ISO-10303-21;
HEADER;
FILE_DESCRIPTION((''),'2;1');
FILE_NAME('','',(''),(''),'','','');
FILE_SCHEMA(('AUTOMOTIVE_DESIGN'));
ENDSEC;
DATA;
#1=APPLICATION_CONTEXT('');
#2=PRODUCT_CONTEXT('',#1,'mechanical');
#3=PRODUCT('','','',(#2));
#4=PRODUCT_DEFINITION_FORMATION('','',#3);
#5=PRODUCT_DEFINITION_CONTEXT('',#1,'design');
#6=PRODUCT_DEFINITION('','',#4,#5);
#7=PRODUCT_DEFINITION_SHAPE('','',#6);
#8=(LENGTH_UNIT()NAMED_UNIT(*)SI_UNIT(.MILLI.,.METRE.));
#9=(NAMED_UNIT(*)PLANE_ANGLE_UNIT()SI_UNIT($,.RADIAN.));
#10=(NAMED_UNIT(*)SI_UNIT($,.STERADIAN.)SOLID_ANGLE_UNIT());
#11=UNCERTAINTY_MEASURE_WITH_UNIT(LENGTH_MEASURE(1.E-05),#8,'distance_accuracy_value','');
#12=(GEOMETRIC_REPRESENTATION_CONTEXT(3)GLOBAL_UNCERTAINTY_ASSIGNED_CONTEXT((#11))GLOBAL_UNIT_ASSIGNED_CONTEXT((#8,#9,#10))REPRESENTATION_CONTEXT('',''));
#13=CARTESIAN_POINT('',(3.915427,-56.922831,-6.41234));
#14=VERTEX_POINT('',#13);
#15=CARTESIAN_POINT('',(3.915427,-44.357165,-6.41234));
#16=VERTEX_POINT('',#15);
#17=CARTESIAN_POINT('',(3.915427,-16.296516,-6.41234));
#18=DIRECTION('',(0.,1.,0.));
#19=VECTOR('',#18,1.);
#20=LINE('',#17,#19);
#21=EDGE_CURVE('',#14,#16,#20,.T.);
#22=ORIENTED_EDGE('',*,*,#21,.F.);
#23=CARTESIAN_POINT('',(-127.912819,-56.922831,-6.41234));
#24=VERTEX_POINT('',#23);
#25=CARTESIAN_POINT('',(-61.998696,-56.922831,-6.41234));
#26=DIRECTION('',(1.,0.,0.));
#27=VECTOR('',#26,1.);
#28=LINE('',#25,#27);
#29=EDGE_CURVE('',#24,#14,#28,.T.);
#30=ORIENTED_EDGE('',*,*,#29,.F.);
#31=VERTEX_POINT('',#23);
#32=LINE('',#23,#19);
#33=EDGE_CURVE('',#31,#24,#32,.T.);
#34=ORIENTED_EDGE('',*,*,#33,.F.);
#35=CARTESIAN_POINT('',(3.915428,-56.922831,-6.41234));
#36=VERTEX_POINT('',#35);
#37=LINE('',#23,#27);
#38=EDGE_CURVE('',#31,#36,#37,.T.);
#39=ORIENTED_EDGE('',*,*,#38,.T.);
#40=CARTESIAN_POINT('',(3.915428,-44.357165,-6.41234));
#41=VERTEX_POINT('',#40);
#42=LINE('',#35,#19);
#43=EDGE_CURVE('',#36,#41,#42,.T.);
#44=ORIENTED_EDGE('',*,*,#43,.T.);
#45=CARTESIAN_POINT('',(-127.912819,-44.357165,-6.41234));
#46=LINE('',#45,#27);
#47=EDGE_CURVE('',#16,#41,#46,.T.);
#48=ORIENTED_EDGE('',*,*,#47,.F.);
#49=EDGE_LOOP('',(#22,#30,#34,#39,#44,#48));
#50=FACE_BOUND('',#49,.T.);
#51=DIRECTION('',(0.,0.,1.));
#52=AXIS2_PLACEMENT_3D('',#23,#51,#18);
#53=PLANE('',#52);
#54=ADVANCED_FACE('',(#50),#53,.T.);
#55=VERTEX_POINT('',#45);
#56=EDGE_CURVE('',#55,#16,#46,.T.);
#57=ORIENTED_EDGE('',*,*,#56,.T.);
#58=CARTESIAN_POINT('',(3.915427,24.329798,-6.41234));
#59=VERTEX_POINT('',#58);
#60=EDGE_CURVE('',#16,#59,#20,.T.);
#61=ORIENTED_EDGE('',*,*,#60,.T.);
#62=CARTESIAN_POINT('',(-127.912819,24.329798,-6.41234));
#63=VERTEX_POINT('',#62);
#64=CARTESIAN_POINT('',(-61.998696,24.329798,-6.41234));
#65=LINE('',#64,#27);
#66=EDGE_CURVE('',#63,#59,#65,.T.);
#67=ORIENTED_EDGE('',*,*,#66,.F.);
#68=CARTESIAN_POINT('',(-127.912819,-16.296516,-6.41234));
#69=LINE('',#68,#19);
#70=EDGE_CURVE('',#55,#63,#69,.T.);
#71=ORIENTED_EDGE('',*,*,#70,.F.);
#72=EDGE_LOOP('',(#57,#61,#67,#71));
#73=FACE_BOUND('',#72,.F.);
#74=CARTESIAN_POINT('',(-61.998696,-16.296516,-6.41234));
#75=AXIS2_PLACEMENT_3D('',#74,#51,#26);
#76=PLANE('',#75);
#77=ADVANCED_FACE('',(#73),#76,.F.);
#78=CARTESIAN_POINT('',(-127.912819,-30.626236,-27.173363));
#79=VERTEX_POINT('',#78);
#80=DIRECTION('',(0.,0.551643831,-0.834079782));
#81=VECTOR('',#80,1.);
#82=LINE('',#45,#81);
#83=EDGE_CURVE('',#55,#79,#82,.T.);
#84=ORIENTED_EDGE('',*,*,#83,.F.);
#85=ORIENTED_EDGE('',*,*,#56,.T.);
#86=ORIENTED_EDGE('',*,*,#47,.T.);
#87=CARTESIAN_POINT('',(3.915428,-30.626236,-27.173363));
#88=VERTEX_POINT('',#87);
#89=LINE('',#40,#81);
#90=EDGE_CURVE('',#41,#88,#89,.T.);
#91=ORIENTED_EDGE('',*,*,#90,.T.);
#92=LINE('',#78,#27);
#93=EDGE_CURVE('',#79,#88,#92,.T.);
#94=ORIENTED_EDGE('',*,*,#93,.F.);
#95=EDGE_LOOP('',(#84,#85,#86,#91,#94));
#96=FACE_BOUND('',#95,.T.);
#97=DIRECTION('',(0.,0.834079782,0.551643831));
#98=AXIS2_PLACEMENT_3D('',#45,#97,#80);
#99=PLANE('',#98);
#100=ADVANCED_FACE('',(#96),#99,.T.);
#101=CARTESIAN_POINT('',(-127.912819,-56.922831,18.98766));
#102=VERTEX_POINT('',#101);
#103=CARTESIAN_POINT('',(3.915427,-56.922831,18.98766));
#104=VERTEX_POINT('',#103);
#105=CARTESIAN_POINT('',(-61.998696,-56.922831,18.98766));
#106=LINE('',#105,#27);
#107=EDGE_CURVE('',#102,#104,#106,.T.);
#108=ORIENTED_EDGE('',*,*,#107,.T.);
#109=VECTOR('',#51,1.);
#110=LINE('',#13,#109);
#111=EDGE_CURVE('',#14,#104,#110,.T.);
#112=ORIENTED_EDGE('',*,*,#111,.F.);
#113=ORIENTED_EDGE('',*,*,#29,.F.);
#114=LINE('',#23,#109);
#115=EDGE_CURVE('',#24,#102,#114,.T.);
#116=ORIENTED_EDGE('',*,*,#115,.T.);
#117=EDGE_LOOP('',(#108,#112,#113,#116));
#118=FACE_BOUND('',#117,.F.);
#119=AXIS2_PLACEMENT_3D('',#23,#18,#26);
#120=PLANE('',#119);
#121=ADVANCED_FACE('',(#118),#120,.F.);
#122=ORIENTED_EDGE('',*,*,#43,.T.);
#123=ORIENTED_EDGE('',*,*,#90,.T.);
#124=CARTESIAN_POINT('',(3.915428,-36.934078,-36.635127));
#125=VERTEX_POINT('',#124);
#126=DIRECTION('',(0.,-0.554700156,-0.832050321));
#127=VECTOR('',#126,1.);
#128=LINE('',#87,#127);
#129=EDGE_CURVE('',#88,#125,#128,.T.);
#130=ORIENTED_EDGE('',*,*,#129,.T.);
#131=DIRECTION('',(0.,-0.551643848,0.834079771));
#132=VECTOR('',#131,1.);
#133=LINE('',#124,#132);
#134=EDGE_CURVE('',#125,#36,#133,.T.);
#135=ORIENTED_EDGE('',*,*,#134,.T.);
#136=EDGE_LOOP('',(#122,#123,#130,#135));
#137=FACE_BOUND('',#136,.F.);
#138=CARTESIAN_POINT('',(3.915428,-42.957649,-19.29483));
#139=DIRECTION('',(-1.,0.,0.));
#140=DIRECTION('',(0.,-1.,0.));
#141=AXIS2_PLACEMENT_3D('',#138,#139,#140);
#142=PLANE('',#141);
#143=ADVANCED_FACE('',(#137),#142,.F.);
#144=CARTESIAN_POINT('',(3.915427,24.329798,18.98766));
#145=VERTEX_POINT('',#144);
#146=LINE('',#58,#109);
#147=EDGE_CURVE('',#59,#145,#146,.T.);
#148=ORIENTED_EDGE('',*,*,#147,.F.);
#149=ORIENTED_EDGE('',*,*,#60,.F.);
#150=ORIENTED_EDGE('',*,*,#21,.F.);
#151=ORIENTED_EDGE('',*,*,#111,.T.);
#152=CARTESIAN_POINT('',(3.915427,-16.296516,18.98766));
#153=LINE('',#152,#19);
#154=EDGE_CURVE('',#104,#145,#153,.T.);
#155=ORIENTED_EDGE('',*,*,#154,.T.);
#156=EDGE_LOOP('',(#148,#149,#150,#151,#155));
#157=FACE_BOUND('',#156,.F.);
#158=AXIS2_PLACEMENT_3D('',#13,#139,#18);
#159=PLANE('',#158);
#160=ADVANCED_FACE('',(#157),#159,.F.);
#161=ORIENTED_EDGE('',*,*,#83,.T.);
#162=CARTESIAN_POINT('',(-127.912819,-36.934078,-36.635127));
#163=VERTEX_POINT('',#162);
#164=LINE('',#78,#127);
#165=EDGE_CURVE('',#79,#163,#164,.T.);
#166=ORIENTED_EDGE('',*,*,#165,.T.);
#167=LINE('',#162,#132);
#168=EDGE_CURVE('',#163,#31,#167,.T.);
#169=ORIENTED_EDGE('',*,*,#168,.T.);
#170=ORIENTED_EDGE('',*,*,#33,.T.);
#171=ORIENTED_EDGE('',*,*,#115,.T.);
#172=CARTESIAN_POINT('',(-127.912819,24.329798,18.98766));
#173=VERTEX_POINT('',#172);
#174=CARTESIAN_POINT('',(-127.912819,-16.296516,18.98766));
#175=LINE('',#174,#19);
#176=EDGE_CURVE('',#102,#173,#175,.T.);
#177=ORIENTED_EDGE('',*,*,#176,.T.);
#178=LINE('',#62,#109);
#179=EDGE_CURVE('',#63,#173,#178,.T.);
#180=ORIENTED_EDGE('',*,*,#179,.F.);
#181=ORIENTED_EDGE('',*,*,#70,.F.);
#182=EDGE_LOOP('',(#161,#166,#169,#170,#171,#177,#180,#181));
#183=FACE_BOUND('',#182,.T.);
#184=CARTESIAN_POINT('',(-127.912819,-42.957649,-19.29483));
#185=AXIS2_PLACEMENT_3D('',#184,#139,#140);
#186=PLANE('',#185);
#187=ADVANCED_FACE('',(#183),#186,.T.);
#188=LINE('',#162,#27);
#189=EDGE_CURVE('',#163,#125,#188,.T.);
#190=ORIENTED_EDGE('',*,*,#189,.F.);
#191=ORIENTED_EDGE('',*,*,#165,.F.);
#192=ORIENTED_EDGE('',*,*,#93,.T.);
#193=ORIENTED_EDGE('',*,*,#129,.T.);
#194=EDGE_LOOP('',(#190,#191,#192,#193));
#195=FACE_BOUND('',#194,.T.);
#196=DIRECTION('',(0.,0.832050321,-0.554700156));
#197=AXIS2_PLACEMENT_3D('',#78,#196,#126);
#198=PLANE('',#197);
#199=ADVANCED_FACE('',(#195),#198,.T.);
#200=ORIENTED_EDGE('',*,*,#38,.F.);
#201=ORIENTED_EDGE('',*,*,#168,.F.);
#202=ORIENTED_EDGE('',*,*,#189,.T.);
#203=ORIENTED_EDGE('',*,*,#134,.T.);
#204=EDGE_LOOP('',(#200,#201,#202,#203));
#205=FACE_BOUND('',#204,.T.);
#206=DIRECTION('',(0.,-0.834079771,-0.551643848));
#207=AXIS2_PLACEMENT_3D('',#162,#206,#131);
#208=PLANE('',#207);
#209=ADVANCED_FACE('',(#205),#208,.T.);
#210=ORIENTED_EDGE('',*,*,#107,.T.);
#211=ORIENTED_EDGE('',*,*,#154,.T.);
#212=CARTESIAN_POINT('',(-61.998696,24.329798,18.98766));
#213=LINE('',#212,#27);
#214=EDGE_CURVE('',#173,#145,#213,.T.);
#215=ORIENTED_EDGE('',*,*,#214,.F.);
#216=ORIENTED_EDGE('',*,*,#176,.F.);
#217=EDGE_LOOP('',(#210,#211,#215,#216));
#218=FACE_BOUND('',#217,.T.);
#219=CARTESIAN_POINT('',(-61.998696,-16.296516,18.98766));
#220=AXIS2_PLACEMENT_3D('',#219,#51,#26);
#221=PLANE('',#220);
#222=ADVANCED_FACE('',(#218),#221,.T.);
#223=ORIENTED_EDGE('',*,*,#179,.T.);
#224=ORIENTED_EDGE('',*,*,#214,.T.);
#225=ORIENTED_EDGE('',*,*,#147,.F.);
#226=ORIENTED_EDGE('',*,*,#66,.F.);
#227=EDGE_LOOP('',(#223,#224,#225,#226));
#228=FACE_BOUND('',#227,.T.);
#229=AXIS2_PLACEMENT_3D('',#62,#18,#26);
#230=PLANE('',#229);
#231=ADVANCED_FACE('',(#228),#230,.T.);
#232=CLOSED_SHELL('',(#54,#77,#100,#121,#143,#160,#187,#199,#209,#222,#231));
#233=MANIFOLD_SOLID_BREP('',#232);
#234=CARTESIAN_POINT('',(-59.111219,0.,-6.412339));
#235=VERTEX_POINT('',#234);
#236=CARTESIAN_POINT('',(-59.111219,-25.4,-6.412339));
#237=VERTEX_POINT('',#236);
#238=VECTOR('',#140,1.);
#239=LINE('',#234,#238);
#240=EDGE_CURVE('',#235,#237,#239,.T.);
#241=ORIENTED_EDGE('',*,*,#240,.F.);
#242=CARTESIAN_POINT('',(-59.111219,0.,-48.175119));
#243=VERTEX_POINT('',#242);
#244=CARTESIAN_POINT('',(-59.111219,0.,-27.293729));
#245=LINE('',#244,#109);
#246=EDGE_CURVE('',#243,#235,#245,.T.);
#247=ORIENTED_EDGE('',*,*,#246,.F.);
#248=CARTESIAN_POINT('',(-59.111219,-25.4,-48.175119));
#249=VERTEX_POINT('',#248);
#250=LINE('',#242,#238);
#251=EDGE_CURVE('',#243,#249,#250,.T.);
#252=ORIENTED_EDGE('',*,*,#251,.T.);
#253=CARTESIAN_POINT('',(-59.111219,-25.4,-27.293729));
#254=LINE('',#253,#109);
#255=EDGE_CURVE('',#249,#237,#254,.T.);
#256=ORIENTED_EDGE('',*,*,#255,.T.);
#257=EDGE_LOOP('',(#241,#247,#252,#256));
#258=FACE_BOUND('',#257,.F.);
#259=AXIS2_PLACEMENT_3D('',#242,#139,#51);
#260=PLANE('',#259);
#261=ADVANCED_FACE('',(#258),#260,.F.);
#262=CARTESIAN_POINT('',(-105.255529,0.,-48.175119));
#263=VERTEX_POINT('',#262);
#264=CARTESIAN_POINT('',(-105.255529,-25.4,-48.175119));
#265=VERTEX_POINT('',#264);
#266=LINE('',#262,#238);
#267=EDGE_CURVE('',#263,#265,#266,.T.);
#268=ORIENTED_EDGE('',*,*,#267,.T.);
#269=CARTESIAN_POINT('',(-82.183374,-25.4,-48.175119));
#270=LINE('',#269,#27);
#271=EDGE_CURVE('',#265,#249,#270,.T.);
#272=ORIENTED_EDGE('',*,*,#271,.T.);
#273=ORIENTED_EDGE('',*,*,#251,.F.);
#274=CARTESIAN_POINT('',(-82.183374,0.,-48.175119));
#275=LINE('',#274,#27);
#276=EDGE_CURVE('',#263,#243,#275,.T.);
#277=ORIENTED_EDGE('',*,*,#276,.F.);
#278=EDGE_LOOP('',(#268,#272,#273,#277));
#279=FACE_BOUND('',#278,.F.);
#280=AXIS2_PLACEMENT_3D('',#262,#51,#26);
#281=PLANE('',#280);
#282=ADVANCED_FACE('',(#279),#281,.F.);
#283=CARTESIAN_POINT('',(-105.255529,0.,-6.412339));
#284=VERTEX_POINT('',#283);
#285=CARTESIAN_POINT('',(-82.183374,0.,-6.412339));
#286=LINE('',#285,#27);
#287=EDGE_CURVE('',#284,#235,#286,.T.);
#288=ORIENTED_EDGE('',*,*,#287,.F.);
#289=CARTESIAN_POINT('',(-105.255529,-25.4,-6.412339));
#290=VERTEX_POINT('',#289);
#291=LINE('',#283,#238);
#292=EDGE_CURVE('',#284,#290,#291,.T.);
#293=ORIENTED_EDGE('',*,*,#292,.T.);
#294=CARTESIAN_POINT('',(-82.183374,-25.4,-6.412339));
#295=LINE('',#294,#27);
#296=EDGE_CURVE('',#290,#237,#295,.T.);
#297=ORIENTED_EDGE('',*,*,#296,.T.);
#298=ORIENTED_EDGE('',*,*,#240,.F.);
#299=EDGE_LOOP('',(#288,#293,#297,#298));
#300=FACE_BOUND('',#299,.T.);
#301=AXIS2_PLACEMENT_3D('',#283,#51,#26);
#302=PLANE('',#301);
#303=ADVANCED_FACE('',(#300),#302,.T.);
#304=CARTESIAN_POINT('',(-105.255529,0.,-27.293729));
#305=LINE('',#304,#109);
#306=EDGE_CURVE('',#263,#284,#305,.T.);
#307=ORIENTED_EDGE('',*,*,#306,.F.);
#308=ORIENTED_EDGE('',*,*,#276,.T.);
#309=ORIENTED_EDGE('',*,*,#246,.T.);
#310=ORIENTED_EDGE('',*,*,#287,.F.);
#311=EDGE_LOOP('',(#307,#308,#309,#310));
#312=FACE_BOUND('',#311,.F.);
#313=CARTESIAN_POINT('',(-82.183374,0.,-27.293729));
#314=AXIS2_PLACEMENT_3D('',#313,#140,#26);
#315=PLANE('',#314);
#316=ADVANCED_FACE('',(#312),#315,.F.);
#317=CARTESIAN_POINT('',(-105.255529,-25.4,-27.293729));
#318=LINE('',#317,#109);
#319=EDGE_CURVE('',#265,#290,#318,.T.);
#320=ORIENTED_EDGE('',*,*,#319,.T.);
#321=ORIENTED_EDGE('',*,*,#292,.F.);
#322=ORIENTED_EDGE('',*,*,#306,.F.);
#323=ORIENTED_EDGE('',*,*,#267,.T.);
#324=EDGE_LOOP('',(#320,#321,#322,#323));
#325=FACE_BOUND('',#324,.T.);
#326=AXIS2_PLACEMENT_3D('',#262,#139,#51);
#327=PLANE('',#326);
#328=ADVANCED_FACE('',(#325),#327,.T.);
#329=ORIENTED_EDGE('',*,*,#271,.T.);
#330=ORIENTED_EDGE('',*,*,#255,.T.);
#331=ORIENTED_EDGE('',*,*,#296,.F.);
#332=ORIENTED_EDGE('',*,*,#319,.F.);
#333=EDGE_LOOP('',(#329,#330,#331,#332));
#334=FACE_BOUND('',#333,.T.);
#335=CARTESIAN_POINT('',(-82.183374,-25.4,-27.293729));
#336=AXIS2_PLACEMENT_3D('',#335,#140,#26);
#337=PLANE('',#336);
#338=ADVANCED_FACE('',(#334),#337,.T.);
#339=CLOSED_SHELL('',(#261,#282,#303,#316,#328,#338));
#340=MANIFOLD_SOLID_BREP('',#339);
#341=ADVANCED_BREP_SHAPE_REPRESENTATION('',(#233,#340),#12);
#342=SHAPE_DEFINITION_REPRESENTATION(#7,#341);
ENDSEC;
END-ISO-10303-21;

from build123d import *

# Parameters (mm, degrees)
F0_W     = 46.14431
F0_H     = 41.762779
F1_DEPTH = 25.4
F2_W     = 131.828246
F2_H     = 81.252629
F3_DEPTH = 25.4
F5_DEPTH = 131.828247


with BuildPart() as f1:
    # F0 (on Front) → F1 (new body)
    with BuildSketch(Plane.XZ):
        with Locations((-82.183374, -27.293729)):
            Rectangle(F0_W, F0_H)
    extrude(amount=F1_DEPTH)


with BuildPart() as f3:
    # F2 (on face) → F3 (new body)
    with BuildSketch(Plane.XY.offset(-6.41234)):
        with Locations((-61.998696, -16.296516)):
            Rectangle(F2_W, F2_H)
    extrude(amount=F3_DEPTH)

    # F4 (on face) → F5 (join, through all)
    with BuildSketch(Plane(origin=(-127.912819, 0, 0), x_dir=(0, -1, 0), z_dir=(-1, 0, 0))):
        Polygon((36.934078, -36.635127), (56.922831, -6.41234), (44.357165, -6.41234), (30.626236, -27.173363), align=None)
    extrude(amount=-F5_DEPTH)


solid = Compound([f1.part, f3.part])
